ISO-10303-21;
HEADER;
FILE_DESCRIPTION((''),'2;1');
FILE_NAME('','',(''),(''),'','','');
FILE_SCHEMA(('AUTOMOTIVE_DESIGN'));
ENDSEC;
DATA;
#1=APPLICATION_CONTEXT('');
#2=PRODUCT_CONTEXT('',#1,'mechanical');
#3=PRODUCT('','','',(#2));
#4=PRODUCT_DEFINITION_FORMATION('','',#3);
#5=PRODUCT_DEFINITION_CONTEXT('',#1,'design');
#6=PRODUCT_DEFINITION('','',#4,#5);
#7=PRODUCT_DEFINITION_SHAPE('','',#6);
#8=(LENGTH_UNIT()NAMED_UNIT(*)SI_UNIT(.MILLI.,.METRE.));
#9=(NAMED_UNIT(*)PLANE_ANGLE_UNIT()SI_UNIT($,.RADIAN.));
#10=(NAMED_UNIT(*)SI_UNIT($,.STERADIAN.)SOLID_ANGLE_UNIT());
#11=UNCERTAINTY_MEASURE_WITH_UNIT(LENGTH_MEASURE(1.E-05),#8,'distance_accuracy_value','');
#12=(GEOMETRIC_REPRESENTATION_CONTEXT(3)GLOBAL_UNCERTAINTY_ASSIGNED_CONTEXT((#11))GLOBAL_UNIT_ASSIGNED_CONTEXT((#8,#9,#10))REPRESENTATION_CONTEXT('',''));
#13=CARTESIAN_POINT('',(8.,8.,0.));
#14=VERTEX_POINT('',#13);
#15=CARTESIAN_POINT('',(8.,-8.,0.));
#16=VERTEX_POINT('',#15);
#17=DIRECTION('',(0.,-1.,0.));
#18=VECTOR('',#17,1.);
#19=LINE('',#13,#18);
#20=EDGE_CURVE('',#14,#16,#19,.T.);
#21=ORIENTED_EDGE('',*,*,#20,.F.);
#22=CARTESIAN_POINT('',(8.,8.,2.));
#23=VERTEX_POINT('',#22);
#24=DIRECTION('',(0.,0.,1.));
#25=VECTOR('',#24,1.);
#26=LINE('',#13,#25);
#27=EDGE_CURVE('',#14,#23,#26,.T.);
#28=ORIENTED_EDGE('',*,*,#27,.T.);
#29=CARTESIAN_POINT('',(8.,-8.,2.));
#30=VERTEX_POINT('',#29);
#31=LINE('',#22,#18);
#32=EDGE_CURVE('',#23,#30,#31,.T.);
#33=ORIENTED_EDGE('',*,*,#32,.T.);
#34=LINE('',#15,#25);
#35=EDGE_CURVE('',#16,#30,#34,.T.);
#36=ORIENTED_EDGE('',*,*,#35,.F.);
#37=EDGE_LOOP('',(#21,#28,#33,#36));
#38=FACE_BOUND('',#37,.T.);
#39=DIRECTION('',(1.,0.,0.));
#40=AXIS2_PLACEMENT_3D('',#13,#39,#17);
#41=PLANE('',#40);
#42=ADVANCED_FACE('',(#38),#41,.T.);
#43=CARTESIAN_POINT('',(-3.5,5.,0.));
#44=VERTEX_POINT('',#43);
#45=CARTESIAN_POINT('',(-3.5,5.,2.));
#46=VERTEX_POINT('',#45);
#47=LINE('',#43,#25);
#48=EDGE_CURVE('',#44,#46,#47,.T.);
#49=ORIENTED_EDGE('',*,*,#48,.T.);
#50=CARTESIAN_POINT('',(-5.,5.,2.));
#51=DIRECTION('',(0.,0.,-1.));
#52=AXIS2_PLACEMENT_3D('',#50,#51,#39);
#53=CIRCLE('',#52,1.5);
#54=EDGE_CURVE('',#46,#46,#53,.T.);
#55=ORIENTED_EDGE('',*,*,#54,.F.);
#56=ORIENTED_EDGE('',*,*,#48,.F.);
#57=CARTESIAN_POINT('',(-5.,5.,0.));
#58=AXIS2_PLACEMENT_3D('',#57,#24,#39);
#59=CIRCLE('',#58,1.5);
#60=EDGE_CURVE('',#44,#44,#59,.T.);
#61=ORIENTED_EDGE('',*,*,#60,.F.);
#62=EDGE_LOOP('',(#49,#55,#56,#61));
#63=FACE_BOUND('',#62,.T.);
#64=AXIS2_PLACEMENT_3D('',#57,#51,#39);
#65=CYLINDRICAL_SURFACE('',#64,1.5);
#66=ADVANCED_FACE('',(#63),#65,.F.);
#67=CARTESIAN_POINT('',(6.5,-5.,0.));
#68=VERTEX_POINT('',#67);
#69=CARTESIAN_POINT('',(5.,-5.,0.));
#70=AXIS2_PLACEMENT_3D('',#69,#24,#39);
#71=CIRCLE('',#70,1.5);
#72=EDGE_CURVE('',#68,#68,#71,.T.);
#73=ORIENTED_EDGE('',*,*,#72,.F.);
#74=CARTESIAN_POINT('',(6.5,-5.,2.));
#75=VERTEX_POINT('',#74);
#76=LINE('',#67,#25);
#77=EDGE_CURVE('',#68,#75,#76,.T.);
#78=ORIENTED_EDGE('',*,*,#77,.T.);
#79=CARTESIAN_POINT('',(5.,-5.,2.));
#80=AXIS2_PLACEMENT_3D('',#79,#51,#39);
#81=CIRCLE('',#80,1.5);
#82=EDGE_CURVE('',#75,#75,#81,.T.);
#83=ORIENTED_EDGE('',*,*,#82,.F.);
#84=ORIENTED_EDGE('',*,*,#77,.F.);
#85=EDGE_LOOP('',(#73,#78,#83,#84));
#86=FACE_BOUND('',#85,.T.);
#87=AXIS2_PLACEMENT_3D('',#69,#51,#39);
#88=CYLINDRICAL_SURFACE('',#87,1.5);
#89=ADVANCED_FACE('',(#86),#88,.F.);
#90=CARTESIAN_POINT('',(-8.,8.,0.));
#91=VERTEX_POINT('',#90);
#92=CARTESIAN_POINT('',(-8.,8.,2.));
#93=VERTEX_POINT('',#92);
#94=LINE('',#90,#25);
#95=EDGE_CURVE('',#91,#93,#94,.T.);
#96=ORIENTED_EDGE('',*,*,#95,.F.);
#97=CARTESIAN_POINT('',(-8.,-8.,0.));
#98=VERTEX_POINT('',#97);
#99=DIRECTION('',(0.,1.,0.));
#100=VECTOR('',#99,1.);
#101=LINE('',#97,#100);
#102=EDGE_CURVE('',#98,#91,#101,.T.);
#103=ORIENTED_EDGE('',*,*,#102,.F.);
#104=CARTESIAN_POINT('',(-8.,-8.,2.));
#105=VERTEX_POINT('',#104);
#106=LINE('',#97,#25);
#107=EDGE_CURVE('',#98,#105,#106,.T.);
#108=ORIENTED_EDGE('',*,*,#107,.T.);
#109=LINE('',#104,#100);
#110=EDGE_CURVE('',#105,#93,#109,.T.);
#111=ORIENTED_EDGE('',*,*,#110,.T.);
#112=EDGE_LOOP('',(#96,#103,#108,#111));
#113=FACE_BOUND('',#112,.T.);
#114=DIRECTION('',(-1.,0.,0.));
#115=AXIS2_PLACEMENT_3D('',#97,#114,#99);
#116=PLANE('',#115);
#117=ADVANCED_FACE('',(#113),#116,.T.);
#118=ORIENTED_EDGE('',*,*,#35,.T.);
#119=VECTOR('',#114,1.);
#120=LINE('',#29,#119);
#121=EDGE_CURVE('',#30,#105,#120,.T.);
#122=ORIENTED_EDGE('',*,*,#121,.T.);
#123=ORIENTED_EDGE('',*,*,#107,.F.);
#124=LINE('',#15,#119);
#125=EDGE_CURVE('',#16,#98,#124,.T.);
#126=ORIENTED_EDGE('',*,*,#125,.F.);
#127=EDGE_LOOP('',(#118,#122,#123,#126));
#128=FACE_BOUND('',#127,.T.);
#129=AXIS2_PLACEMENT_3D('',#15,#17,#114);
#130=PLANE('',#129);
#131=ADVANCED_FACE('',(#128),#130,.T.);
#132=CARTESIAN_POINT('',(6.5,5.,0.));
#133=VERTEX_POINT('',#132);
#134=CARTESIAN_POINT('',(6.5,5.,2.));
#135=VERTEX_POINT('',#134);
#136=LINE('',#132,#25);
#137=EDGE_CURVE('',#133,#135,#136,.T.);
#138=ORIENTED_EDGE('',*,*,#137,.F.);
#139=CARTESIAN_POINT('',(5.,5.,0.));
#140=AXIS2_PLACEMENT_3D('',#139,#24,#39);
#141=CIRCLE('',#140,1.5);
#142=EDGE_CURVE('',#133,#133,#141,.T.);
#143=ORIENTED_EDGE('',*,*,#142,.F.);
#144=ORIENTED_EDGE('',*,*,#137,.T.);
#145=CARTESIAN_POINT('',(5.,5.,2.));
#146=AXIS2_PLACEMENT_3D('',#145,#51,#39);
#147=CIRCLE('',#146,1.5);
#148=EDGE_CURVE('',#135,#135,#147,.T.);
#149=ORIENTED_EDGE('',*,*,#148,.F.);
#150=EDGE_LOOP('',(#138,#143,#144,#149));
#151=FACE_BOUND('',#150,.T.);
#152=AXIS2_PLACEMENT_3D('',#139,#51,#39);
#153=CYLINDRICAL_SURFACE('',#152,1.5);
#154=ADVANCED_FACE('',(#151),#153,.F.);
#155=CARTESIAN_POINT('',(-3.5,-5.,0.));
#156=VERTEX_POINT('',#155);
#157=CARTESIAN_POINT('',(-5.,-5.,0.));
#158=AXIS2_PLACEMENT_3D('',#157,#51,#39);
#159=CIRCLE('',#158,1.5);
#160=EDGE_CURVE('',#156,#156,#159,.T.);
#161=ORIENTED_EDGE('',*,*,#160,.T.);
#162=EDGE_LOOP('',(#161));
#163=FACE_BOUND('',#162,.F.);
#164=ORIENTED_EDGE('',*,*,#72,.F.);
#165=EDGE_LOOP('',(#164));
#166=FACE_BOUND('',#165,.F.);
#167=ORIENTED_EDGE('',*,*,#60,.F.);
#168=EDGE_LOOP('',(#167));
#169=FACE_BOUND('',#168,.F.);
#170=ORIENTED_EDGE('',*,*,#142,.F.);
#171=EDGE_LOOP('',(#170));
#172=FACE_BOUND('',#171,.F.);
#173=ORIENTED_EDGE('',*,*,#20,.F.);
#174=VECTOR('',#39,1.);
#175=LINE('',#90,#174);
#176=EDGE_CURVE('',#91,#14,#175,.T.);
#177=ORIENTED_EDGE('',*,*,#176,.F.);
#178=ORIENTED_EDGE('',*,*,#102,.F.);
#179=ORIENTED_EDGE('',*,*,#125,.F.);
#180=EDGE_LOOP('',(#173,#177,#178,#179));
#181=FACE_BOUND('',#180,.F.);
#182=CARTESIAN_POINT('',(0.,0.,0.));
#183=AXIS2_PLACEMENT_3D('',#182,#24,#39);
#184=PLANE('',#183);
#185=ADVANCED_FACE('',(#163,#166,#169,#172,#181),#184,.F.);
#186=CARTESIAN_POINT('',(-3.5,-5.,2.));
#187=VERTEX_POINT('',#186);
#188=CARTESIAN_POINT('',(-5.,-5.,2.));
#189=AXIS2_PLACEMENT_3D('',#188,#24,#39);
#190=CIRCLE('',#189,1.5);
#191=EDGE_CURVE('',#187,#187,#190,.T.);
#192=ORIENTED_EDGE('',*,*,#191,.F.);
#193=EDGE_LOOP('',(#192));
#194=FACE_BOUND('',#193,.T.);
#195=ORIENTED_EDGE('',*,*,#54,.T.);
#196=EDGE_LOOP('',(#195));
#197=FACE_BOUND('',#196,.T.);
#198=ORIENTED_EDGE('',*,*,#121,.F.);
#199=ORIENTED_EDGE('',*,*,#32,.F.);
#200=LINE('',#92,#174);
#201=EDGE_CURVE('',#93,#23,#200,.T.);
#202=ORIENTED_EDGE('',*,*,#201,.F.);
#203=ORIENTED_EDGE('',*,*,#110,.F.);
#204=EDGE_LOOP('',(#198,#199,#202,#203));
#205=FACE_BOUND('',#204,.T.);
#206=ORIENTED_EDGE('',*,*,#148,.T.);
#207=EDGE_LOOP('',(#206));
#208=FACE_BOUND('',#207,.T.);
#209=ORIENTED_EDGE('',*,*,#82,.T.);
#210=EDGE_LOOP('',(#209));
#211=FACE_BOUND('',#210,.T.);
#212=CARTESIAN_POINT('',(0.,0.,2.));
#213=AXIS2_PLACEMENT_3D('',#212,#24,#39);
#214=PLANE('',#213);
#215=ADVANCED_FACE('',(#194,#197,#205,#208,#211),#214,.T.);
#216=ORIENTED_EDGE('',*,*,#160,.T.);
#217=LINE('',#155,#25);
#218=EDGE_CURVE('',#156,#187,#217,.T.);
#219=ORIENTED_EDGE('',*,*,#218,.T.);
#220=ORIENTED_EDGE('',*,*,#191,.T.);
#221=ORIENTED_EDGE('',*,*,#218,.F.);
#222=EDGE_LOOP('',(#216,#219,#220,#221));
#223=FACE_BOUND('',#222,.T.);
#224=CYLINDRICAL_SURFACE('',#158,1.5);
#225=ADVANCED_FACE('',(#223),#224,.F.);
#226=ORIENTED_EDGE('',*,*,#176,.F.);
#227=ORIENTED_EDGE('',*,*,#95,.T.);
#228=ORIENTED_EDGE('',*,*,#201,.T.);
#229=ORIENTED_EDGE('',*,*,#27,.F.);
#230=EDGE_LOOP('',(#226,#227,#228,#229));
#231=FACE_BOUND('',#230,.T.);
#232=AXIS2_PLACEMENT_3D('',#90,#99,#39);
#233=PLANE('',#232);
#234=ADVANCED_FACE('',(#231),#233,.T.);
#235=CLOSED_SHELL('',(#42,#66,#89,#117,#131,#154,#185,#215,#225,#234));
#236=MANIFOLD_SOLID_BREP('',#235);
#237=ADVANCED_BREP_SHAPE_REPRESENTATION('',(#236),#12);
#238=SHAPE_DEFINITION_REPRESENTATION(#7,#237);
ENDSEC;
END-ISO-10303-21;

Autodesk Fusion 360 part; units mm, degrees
sketch "Skizze1" plane through (0, 0, 0) normal (0, 0, 1) x (1, 0, 0)
  line L0 (5, -5) -> (-5, -5)
  circle A0 centre (-5, -5) radius 1.5
  line L1 (-5, -5) -> (-5, 5)
  circle A1 centre (-5, 5) radius 1.5
  line L2 (5, 5) -> (5, -5)
  line L3 (-5, 5) -> (5, 5)
  circle A2 centre (5, 5) radius 1.5
  circle A3 centre (5, -5) radius 1.5
  line L4 (-8, 8) -> (8, 8)
  line L5 (8, 8) -> (8, -8)
  line L6 (8, -8) -> (-8, -8)
  line L7 (-8, -8) -> (-8, 8)
  dimension "d1" = 10
  dimension "d2" = 10
  dimension "d3" = 3
  dimension "d4" = 3
  dimension "d5" = 3
  dimension "d6" = 3
  dimension "d7" = 16
  dimension "d8" = 16
extrude "Extrusion1" add sketch "Skizze1" along normal blind 2 contours L0 A0 L1 A1 L2 L3 A2 A3 | L4 L5 L6 L7
